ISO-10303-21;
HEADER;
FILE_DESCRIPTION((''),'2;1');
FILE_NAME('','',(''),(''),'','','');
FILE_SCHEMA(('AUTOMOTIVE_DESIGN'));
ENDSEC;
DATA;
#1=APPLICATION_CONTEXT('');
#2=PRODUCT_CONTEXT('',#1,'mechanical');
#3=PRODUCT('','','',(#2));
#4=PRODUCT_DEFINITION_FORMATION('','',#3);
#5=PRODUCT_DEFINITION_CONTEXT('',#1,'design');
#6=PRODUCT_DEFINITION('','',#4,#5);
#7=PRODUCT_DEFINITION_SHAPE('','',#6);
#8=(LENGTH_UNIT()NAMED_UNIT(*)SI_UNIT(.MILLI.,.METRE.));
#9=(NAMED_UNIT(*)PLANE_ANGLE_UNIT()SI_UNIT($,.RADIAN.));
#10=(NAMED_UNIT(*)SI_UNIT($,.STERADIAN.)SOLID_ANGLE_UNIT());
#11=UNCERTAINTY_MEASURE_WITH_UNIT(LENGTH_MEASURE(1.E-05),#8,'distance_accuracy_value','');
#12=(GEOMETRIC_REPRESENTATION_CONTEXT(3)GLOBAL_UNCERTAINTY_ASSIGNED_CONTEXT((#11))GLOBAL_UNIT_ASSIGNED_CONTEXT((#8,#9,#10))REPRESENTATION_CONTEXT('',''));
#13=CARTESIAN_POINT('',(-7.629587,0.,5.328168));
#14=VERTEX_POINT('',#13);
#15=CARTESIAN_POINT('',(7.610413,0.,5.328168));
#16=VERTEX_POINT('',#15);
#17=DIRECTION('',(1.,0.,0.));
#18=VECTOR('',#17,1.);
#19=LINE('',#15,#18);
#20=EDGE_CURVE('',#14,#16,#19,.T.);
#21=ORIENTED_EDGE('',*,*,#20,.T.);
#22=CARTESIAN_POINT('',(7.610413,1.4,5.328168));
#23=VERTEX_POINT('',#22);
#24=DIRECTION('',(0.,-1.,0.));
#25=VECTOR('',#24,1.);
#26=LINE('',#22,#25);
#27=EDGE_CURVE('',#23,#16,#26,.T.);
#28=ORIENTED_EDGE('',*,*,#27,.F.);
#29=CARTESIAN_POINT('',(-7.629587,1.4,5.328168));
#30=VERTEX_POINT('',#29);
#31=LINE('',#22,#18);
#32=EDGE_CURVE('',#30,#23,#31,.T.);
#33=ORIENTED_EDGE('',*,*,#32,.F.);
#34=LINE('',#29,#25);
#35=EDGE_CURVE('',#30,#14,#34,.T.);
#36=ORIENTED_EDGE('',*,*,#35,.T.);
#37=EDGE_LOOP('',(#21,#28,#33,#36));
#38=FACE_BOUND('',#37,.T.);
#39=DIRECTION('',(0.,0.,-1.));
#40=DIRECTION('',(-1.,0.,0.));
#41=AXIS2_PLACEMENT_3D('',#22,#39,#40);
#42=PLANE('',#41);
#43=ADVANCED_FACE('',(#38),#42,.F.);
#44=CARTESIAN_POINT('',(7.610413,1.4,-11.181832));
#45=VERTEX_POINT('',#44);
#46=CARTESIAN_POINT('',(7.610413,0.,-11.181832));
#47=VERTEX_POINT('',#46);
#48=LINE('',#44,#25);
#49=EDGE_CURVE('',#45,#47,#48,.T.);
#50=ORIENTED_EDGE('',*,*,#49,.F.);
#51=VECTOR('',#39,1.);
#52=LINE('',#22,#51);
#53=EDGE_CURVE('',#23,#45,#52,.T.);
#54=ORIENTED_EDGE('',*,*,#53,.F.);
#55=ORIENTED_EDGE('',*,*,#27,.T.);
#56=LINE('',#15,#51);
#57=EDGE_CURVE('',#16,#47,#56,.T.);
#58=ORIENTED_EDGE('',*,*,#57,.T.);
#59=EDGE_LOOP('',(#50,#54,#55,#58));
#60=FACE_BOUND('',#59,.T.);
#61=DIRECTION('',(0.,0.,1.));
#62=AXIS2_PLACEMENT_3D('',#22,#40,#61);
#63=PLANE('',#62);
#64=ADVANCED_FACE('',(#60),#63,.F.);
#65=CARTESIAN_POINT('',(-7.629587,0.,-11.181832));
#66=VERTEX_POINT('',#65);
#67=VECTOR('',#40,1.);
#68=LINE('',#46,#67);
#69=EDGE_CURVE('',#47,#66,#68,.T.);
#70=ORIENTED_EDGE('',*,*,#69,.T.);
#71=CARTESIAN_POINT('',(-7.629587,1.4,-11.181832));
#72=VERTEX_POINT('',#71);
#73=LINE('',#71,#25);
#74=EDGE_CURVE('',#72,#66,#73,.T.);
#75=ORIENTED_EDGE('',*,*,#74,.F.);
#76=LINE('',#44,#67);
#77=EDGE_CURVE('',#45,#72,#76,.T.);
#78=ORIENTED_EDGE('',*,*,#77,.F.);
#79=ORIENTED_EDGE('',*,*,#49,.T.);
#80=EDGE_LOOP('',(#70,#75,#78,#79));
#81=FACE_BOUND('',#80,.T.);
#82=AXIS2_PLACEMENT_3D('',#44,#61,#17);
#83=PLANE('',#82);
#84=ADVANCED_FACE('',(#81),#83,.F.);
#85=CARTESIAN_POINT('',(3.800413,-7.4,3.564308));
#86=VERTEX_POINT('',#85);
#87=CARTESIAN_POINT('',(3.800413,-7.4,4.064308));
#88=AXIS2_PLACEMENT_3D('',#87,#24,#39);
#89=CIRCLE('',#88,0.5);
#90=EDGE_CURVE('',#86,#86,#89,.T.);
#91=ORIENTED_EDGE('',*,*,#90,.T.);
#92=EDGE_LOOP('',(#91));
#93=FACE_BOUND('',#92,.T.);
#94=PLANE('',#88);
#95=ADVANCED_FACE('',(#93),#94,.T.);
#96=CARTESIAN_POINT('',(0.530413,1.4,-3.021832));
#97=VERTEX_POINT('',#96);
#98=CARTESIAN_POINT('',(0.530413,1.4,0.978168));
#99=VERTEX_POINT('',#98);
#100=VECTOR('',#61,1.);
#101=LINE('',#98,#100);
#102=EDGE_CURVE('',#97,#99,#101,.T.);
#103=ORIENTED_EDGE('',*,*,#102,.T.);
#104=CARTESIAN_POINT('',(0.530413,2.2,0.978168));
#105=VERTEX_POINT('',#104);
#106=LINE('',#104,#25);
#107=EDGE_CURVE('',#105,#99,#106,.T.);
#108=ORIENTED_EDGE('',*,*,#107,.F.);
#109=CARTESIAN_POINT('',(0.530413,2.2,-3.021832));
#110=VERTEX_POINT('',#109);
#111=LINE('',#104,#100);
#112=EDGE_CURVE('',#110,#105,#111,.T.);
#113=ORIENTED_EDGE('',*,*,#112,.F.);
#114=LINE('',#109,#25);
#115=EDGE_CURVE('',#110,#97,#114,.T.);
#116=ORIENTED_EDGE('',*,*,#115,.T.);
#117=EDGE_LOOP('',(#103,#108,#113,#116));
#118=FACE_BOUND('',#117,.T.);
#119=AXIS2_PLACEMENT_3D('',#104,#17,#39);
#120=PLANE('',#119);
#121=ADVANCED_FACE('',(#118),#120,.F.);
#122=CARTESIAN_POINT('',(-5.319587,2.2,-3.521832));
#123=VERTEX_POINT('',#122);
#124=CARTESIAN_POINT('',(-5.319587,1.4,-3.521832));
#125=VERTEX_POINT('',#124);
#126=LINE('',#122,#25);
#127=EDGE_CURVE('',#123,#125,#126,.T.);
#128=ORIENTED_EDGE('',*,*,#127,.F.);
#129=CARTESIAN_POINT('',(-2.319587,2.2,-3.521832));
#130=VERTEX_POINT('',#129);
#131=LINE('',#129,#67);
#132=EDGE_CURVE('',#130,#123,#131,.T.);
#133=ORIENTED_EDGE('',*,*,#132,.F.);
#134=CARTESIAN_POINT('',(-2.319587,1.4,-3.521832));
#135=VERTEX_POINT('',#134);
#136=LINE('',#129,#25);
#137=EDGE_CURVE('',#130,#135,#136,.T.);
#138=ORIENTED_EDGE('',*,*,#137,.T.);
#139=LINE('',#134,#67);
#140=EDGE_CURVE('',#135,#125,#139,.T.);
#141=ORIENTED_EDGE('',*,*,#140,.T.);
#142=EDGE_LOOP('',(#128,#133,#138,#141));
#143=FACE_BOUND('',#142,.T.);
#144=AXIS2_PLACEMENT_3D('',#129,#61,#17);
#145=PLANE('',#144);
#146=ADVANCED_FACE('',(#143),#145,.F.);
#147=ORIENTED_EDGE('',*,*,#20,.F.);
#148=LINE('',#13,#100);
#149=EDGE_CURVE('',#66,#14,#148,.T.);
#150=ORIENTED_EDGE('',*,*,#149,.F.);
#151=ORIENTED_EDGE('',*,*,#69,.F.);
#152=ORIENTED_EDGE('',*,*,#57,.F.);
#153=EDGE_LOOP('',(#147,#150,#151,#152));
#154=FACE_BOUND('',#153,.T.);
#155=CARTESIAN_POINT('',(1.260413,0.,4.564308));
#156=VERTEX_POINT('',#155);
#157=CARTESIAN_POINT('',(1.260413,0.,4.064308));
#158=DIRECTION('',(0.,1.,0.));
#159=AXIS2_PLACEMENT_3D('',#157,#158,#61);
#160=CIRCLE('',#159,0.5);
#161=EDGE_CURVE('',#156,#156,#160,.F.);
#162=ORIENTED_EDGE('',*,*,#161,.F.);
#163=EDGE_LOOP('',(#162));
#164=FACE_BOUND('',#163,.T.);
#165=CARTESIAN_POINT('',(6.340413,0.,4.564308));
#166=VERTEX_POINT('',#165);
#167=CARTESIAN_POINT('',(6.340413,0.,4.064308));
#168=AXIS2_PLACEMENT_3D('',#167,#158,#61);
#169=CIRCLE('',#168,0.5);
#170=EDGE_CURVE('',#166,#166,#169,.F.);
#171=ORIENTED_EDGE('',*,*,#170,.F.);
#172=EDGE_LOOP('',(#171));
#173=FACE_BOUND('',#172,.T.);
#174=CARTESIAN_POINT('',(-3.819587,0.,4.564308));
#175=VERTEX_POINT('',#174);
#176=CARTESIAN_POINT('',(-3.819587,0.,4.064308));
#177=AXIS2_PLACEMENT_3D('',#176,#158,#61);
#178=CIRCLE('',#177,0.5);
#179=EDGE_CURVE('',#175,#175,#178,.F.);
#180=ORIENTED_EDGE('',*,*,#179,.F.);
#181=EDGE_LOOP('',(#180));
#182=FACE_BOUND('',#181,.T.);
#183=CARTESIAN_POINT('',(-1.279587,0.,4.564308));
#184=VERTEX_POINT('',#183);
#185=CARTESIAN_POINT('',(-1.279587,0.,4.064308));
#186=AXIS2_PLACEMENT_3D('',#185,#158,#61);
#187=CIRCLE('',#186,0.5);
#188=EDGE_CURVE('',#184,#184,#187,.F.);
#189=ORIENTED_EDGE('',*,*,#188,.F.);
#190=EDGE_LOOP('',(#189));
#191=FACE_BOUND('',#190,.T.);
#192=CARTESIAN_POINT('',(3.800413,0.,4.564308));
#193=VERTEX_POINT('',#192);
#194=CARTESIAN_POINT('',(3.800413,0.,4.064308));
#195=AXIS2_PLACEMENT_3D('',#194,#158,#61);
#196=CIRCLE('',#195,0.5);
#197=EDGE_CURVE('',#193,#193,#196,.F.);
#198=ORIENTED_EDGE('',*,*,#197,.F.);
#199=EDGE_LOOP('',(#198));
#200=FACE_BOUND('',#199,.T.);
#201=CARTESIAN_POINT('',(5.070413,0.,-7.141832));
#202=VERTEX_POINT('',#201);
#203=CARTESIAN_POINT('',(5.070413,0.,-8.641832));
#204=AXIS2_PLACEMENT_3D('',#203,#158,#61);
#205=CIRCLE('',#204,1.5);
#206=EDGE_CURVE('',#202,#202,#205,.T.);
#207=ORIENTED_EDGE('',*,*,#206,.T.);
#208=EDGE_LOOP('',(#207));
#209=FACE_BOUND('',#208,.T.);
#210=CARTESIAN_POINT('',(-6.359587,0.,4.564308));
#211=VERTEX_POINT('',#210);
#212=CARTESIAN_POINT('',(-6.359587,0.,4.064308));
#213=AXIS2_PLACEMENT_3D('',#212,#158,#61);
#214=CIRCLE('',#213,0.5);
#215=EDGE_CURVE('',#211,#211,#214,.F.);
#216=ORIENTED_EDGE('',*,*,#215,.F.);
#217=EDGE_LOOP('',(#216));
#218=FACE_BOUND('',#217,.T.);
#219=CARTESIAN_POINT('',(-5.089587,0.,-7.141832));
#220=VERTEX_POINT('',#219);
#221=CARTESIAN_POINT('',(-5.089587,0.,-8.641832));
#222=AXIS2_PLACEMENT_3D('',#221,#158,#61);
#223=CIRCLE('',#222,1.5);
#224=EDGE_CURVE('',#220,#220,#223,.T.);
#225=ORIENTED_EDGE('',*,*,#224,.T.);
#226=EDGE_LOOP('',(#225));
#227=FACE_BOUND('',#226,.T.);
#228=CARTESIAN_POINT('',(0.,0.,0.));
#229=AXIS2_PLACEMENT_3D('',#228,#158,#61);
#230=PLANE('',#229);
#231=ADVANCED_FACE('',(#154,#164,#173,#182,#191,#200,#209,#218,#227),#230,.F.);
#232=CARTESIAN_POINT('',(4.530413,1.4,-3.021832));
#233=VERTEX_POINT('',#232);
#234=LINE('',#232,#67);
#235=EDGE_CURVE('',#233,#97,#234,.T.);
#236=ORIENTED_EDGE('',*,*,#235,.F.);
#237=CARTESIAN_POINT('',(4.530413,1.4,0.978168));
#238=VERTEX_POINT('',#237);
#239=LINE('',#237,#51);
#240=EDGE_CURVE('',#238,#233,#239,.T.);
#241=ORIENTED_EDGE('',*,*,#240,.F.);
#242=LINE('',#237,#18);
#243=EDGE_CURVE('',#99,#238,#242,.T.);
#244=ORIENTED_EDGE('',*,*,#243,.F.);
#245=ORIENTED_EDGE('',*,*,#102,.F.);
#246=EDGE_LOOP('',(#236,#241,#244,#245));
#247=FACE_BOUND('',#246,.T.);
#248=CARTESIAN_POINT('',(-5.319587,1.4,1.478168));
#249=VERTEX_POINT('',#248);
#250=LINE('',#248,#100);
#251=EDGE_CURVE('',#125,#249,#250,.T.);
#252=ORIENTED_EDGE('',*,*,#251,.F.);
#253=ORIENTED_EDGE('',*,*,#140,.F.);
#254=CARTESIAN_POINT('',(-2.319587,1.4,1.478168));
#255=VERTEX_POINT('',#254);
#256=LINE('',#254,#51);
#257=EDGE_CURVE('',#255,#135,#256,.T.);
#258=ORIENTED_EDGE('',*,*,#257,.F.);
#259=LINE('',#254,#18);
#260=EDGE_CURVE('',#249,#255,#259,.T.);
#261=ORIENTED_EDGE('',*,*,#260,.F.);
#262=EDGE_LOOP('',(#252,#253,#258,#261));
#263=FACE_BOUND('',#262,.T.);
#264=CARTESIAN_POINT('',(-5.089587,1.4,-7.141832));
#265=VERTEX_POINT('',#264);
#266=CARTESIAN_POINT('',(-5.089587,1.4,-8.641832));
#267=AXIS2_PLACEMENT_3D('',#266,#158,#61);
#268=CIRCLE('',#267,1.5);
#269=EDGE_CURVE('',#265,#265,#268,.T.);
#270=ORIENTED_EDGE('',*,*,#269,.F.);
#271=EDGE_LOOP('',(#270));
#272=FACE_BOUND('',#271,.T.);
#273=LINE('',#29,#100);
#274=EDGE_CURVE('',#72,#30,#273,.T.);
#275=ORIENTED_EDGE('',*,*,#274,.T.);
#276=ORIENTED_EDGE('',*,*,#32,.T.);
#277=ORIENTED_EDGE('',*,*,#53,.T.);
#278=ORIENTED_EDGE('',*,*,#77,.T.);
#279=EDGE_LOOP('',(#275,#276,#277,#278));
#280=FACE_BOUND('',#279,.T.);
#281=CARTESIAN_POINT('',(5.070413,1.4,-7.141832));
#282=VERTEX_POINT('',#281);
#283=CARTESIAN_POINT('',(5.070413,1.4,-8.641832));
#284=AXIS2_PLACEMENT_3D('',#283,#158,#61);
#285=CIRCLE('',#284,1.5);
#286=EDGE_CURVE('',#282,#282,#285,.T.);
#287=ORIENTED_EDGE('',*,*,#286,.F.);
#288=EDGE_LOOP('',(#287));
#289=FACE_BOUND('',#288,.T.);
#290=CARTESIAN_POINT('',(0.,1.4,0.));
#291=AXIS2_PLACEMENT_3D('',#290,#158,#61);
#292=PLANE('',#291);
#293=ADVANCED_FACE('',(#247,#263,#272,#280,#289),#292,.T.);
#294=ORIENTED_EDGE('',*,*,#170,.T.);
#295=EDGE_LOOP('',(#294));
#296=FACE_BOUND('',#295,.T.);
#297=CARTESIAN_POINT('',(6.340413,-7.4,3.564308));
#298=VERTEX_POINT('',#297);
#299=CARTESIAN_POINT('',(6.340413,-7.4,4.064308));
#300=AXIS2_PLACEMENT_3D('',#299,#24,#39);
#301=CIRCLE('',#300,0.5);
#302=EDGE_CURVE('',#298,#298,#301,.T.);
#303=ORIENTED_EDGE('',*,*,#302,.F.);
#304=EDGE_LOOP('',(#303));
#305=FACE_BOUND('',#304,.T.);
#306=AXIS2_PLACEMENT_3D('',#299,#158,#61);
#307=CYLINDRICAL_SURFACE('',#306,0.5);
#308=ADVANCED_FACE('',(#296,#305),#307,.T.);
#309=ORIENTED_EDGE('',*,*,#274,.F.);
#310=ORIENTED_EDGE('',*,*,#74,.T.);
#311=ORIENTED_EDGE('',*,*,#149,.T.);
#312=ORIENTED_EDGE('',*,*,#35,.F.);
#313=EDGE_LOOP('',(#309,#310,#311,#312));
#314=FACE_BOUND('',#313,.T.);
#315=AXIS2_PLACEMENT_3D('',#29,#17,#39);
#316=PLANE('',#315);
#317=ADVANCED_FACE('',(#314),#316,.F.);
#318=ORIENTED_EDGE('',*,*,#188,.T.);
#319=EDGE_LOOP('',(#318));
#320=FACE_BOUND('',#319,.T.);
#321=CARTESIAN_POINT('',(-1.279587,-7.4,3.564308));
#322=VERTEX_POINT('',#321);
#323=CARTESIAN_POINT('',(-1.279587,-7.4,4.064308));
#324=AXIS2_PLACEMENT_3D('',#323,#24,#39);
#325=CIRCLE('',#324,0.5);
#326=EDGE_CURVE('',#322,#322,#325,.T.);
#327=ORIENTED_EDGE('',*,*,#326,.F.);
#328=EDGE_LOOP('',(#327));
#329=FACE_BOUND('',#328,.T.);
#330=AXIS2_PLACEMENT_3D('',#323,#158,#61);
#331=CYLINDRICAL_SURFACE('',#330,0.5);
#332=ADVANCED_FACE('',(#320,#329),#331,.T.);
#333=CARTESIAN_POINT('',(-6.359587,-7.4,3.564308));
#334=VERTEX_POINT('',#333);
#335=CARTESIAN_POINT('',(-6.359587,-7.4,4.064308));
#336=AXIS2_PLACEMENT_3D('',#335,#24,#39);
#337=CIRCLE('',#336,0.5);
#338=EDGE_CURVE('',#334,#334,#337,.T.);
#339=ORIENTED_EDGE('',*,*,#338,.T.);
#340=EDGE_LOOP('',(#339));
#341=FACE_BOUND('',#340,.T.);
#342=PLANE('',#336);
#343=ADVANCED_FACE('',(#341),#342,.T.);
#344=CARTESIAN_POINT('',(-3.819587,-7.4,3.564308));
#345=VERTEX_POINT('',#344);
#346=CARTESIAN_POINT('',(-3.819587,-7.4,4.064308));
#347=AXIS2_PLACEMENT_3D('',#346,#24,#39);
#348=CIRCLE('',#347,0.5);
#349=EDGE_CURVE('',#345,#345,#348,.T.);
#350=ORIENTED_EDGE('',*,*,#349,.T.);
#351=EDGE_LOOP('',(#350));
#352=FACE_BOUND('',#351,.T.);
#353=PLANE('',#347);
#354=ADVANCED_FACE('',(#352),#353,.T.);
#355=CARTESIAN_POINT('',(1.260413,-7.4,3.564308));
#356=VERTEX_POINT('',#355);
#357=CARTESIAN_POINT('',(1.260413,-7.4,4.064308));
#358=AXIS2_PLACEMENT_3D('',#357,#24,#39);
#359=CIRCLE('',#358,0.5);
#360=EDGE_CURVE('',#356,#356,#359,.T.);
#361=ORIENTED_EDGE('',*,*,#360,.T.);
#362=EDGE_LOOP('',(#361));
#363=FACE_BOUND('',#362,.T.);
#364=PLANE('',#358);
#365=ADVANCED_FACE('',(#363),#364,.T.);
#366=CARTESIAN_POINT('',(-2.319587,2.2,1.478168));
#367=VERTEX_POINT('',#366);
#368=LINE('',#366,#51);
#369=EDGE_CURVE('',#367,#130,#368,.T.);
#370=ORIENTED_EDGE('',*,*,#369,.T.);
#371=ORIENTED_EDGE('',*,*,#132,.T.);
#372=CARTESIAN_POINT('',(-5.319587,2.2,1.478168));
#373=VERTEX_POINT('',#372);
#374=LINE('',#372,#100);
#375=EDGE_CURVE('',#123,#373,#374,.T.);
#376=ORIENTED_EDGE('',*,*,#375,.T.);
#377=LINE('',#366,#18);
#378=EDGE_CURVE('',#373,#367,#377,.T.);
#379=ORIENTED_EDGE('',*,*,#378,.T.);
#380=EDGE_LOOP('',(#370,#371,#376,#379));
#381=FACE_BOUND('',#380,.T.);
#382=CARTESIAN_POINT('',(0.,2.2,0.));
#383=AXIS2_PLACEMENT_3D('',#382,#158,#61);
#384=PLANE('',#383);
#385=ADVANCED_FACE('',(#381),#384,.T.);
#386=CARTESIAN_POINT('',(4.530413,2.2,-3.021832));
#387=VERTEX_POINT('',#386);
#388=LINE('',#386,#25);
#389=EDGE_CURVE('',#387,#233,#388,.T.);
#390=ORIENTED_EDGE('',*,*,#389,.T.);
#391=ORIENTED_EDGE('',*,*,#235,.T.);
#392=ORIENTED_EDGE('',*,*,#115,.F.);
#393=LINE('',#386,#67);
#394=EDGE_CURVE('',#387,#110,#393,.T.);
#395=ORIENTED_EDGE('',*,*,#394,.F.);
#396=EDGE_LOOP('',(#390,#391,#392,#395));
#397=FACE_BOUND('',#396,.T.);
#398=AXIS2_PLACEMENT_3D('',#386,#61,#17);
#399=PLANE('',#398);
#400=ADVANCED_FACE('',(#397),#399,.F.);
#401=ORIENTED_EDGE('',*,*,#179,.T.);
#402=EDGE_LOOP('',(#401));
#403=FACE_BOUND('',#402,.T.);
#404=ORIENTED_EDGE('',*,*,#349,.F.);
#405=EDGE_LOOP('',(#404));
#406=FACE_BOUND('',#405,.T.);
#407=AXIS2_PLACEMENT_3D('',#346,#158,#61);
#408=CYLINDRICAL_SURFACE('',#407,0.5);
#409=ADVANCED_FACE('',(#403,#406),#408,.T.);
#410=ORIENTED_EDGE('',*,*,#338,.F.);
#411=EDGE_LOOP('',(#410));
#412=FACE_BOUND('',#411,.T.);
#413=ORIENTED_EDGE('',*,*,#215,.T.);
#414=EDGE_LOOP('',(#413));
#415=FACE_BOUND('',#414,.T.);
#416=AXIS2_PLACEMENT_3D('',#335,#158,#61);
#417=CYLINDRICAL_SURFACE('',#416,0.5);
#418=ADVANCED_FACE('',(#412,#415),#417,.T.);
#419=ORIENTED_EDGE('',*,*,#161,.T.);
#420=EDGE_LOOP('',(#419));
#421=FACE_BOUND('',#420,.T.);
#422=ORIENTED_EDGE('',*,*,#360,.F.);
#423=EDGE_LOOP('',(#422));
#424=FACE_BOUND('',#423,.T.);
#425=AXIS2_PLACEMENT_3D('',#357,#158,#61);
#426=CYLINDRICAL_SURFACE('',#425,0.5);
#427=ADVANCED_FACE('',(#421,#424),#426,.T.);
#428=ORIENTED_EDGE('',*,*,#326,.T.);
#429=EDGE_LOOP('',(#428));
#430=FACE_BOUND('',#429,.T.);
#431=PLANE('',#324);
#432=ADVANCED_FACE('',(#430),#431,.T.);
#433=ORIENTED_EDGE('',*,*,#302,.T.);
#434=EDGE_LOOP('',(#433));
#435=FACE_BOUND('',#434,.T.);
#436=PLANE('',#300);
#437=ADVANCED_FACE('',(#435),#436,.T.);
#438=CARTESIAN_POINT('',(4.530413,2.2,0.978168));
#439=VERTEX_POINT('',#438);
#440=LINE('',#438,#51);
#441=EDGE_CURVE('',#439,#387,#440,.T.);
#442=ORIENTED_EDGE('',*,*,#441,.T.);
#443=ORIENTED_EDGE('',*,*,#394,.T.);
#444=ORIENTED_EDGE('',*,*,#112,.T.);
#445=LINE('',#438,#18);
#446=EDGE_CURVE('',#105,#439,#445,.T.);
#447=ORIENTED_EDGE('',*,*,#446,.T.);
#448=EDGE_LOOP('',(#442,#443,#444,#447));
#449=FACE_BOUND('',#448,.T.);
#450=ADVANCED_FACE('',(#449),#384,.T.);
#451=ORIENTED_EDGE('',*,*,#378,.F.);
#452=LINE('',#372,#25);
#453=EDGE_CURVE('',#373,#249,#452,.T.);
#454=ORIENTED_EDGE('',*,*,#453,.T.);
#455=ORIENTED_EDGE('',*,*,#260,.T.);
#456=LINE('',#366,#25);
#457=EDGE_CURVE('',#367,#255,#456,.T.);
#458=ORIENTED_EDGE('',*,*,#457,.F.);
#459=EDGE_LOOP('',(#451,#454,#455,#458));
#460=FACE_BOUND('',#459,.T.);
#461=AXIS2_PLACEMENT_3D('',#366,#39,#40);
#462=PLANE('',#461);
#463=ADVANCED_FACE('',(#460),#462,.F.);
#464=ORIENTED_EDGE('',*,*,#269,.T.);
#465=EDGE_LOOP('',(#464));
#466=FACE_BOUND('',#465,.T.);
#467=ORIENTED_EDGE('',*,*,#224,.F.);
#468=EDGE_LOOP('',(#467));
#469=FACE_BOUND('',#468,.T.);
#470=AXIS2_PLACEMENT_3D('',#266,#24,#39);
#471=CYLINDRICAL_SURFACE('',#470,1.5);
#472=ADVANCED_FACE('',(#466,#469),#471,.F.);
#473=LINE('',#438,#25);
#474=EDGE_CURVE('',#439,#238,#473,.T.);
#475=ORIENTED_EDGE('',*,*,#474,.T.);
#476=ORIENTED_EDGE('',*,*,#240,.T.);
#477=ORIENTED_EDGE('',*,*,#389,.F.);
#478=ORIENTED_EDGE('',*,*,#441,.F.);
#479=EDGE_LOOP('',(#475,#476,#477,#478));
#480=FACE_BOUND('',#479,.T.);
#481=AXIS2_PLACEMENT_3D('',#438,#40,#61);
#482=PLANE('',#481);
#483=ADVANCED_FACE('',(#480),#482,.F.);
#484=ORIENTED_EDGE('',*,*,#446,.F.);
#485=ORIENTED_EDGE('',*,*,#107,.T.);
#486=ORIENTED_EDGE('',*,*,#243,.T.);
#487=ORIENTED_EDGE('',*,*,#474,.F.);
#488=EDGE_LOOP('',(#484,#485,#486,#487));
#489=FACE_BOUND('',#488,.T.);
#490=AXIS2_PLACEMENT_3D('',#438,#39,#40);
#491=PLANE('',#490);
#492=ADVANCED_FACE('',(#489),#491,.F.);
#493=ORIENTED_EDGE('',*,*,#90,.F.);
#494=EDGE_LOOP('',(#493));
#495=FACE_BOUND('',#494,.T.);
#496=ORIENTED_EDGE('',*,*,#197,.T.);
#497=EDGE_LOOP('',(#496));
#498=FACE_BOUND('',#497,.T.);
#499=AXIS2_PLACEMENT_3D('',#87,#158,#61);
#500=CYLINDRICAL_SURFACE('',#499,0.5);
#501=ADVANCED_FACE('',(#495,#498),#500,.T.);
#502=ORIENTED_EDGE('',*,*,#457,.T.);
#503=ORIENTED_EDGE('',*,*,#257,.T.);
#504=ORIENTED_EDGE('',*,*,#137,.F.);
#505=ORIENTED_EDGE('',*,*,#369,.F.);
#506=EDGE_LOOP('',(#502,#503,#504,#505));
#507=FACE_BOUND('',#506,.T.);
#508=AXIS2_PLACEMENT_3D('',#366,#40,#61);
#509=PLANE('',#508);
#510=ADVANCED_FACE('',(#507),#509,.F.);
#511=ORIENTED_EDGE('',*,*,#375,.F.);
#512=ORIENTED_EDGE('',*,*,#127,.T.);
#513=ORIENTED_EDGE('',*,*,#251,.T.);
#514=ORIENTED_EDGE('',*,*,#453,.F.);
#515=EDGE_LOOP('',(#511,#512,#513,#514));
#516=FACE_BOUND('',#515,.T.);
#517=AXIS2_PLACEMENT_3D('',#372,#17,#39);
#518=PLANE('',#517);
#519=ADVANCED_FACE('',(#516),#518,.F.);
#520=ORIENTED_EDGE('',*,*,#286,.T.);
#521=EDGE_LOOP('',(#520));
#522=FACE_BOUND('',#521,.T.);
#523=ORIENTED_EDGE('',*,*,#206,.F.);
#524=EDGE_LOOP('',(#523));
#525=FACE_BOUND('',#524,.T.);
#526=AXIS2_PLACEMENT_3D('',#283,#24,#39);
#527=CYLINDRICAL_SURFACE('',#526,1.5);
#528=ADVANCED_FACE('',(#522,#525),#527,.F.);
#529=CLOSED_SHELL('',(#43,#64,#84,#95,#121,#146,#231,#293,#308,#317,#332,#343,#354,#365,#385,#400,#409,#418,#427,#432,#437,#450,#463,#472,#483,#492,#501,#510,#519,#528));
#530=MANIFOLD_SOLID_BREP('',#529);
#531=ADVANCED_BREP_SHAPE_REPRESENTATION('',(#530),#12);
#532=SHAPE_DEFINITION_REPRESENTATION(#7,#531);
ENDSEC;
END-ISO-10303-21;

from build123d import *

# Parameters (mm, degrees)
ESQUISSE1_W        = 15.24
ESQUISSE1_H        = 16.51
ESQUISSE1_R        = 1.5
PCB_DEPTH          = 1.4
ESQUISSE2_W        = 3
ESQUISSE2_H        = 5
ADXL345_DEPTH      = 0.8
ESQUISSE3_W        = 4
ESQUISSE3_H        = 4
ITG_3200_DEPTH     = 0.8
ESQUISSE6_R        = 0.5
BOSS_EXTRU_9_DEPTH = 7.4


with BuildPart() as part:
    # Esquisse1 → PCB (new body)
    with BuildSketch(Plane(origin=(0, 0, 0), x_dir=(1, 0, 0), z_dir=(0, 1, 0))):
        with Locations((-0.009586777, 2.926831956)):
            Rectangle(ESQUISSE1_W, ESQUISSE1_H)
        with Locations(Location((-5.089586777, 8.641831956, 0), (0, 0, 270))):
            Circle(ESQUISSE1_R, mode=Mode.SUBTRACT)
        with Locations(Location((5.070413223, 8.641831956, 0), (0, 0, 270))):
            Circle(ESQUISSE1_R, mode=Mode.SUBTRACT)
    extrude(amount=PCB_DEPTH)

    # Esquisse2 → ADXL345 (add)
    with BuildSketch(Plane(origin=(0, 1.4, 0), x_dir=(1, 0, 0), z_dir=(0, 1, 0))):
        with Locations((-3.819586777, 1.021831956)):
            Rectangle(ESQUISSE2_W, ESQUISSE2_H)
    extrude(amount=ADXL345_DEPTH)

    # Esquisse3 → ITG-3200 (add)
    with BuildSketch(Plane(origin=(0, 1.4, 0), x_dir=(1, 0, 0), z_dir=(0, 1, 0))):
        with Locations((2.530413223, 1.021831956)):
            Rectangle(ESQUISSE3_W, ESQUISSE3_H)
    extrude(amount=ITG_3200_DEPTH)

    # Esquisse6 → Boss.-Extru.9 (add)
    with BuildSketch(Plane.XZ):
        with Locations(Location((-6.359586777, 4.064307622, 0), (0, 0, 90))):
            Circle(ESQUISSE6_R)
        with Locations(Location((-3.819586777, 4.064307622, 0), (0, 0, 90))):
            Circle(ESQUISSE6_R)
        with Locations(Location((-1.279586777, 4.064307622, 0), (0, 0, 90))):
            Circle(ESQUISSE6_R)
        with Locations(Location((1.260413223, 4.064307622, 0), (0, 0, 90))):
            Circle(ESQUISSE6_R)
        with Locations(Location((3.800413223, 4.064307622, 0), (0, 0, 90))):
            Circle(ESQUISSE6_R)
        with Locations(Location((6.340413223, 4.064307622, 0), (0, 0, 90))):
            Circle(ESQUISSE6_R)
    extrude(amount=BOSS_EXTRU_9_DEPTH)


solid = part.part
